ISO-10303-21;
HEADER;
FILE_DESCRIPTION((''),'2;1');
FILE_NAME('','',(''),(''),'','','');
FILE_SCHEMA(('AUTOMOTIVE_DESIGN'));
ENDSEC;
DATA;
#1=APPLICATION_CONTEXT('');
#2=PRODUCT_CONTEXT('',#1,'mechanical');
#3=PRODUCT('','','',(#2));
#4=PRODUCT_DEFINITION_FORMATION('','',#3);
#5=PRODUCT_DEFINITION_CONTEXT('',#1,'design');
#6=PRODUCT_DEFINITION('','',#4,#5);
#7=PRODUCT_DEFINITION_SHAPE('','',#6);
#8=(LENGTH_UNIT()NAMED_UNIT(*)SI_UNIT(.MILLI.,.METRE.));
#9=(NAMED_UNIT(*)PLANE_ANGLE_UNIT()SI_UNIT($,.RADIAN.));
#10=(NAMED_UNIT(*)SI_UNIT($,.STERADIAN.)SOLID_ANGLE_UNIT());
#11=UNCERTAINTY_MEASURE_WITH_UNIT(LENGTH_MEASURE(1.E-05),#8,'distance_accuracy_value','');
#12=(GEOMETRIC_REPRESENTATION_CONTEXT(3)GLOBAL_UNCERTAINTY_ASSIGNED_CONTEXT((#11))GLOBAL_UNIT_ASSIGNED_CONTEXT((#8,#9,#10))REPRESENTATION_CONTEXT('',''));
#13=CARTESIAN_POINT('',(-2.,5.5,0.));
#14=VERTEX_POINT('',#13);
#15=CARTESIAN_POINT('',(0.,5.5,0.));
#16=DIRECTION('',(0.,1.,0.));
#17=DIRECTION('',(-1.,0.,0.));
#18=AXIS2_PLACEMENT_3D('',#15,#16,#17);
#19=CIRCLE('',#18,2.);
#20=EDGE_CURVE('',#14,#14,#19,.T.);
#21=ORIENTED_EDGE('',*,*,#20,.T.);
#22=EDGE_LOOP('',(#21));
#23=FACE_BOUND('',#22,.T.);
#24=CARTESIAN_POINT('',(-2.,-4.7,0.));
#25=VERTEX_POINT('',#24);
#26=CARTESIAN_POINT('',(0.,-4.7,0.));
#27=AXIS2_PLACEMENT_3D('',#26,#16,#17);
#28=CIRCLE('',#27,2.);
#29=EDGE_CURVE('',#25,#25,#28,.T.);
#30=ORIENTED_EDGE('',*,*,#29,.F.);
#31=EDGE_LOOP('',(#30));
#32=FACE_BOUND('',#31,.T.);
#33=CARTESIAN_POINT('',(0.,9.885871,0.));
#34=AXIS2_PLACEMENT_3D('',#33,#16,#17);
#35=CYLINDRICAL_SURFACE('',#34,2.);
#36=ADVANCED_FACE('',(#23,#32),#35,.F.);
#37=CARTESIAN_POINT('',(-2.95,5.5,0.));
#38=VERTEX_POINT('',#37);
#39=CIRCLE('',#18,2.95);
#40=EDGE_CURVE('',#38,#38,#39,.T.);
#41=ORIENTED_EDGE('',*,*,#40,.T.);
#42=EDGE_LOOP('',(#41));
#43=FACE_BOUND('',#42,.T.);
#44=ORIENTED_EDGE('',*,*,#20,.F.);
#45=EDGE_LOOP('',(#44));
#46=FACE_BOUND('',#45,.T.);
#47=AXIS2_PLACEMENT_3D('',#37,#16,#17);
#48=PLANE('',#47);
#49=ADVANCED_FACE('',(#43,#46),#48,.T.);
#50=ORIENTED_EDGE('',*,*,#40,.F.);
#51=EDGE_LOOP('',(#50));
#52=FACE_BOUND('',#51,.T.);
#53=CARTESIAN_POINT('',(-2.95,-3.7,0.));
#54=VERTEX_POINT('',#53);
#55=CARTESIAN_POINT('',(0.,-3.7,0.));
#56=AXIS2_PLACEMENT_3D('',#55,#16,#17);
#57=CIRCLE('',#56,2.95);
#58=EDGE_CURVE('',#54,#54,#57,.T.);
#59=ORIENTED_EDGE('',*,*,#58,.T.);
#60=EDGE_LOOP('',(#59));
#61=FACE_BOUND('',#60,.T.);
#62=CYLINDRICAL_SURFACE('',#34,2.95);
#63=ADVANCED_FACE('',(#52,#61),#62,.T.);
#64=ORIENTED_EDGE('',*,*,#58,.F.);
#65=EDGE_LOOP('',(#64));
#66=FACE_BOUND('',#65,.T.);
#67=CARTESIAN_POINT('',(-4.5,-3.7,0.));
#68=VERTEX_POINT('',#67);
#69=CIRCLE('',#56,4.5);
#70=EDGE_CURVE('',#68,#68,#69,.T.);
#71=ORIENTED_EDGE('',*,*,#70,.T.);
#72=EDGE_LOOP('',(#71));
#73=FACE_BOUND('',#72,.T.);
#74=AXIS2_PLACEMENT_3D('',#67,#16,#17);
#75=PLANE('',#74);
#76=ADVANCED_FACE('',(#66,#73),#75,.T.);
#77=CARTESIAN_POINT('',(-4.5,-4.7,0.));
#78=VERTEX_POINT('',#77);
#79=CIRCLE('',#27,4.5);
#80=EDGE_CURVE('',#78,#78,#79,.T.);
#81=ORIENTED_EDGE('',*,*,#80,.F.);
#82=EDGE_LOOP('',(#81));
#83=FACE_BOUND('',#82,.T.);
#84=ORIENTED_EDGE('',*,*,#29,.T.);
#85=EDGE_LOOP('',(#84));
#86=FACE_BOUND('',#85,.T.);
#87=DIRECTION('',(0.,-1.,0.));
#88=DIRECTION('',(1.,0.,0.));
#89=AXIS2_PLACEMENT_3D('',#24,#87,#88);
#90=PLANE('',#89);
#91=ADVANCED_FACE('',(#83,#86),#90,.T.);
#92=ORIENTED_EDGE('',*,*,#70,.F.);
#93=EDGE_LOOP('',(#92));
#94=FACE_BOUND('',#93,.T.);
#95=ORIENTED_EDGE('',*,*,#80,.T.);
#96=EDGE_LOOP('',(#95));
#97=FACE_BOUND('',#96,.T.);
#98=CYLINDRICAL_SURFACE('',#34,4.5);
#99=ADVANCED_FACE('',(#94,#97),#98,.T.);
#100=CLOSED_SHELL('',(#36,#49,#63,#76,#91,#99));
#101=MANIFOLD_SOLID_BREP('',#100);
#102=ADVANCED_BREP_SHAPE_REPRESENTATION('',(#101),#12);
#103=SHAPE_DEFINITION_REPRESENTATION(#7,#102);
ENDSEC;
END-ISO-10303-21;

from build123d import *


with BuildPart() as part:
    # Sketch1 → Revolve1 (revolve)
    with BuildSketch(Plane.XY):
        Polygon((-2, -4.7), (-4.5, -4.7), (-4.5, -3.7), (-2.95, -3.7), (-2.95, 5.5), (-2, 5.5), align=None)
    revolve(axis=Axis((0, 9.885870746, 0), (0, -1, 0)))


solid = part.part
